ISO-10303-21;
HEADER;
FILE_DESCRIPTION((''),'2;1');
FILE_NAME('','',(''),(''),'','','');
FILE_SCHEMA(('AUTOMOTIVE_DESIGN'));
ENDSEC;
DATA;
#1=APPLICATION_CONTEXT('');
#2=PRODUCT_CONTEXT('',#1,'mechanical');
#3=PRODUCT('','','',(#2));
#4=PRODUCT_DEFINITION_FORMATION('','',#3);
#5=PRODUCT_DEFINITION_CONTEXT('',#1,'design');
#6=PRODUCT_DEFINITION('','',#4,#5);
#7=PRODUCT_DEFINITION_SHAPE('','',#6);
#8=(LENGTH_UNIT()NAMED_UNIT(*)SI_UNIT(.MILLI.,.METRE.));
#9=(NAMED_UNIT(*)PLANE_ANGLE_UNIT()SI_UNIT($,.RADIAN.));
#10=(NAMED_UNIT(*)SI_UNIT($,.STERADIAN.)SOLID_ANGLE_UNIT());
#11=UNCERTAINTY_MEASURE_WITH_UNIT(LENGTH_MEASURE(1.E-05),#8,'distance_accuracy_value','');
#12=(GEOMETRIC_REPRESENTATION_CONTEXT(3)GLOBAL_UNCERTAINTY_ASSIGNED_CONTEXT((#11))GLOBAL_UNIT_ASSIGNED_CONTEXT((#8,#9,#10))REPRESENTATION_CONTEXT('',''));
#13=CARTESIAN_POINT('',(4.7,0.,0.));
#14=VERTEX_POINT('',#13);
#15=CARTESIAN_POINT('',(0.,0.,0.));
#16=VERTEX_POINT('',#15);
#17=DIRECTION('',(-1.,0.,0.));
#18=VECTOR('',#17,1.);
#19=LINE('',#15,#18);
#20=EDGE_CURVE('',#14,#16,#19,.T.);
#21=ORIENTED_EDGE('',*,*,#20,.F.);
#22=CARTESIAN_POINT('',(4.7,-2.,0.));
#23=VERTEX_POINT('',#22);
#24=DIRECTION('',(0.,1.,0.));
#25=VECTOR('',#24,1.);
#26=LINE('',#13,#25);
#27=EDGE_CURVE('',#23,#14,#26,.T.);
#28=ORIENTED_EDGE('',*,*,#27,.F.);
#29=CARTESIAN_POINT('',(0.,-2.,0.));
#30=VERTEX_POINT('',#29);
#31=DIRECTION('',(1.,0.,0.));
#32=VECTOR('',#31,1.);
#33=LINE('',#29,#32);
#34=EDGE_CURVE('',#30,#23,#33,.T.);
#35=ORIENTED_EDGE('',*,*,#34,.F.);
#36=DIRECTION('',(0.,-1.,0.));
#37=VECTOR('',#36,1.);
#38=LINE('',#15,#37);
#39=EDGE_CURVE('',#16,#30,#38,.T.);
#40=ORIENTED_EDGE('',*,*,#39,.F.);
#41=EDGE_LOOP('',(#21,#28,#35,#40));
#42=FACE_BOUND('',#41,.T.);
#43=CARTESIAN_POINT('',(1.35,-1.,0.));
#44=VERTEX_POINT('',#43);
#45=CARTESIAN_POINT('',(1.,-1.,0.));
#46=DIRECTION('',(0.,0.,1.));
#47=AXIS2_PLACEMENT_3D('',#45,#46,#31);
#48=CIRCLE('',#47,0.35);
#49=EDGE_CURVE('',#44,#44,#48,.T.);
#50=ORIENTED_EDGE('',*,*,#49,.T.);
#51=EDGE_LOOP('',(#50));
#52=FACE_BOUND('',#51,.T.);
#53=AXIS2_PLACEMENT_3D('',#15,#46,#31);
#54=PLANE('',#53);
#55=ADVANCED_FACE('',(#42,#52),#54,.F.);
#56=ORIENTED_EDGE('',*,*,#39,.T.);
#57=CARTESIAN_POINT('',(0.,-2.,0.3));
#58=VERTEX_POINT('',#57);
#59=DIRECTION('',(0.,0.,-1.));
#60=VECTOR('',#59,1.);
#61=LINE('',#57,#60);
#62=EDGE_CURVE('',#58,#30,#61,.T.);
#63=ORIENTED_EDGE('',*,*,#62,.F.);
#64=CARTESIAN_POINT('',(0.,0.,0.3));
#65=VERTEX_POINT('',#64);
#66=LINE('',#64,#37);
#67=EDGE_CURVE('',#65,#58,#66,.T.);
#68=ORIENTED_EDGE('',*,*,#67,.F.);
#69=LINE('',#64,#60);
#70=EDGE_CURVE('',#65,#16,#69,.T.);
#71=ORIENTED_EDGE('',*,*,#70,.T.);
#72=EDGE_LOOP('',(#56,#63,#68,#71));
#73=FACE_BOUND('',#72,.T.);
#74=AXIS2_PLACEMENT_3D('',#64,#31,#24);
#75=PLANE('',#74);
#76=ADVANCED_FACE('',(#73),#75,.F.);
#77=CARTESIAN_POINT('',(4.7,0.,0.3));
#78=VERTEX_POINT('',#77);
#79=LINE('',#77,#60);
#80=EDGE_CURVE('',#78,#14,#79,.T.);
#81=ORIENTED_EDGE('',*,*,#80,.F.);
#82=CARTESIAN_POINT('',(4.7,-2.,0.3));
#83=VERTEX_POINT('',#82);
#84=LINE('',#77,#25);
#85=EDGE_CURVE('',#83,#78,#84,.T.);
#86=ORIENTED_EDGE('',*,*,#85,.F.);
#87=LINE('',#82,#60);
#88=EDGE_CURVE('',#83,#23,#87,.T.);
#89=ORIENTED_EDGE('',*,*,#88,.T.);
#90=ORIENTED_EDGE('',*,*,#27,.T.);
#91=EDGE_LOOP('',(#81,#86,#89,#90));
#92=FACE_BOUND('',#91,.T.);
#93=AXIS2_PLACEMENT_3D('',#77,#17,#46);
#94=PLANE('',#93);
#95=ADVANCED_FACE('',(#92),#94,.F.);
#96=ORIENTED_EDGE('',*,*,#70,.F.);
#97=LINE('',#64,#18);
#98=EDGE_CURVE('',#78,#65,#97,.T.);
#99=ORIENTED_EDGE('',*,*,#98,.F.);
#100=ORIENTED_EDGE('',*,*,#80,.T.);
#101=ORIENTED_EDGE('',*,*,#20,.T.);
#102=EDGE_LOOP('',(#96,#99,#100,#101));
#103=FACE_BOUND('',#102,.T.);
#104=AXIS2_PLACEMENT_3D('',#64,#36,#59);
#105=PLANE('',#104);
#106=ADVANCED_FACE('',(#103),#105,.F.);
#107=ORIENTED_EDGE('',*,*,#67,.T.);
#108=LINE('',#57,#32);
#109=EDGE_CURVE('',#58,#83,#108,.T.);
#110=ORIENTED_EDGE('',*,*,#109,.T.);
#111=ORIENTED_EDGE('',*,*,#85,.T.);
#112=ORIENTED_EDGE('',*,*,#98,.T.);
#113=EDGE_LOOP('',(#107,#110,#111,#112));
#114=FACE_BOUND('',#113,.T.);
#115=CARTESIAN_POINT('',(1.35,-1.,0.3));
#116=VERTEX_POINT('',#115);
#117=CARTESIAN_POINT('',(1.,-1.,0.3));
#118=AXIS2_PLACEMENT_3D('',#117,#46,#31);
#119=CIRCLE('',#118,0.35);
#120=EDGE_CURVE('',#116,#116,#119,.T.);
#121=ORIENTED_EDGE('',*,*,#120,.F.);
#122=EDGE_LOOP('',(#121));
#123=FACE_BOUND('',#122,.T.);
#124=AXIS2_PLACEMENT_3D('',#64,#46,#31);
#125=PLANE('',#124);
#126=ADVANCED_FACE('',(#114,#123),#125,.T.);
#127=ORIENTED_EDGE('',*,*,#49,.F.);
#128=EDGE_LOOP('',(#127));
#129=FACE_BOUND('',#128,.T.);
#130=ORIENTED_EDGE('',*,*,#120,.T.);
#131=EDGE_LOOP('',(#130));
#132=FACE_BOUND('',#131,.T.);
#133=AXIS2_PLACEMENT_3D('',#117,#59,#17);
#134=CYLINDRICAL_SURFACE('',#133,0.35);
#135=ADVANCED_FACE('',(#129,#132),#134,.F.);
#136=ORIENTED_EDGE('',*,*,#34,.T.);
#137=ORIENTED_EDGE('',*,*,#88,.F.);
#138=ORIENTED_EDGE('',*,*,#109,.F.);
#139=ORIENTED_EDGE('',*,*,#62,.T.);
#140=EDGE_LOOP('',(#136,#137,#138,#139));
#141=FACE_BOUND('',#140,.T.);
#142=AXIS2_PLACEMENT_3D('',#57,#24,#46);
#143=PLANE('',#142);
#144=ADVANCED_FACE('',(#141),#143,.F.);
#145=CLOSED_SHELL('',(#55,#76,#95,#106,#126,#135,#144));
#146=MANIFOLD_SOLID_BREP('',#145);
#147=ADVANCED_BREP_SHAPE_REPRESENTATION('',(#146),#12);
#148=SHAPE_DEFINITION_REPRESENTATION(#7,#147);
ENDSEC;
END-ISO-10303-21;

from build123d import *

# Parameters (mm, degrees)
ESQUISSE1_W        = 4.7
ESQUISSE1_H        = 2
ESQUISSE1_R        = 0.35
BOSS_EXTRU_1_DEPTH = 0.3


with BuildPart() as part:
    # Esquisse1 → Boss.-Extru.1 (new body)
    with BuildSketch(Plane.XY):
        with Locations((2.35, -1)):
            Rectangle(ESQUISSE1_W, ESQUISSE1_H)
        with Locations((1, -1)):
            Circle(ESQUISSE1_R, mode=Mode.SUBTRACT)
    extrude(amount=BOSS_EXTRU_1_DEPTH)


solid = part.part
